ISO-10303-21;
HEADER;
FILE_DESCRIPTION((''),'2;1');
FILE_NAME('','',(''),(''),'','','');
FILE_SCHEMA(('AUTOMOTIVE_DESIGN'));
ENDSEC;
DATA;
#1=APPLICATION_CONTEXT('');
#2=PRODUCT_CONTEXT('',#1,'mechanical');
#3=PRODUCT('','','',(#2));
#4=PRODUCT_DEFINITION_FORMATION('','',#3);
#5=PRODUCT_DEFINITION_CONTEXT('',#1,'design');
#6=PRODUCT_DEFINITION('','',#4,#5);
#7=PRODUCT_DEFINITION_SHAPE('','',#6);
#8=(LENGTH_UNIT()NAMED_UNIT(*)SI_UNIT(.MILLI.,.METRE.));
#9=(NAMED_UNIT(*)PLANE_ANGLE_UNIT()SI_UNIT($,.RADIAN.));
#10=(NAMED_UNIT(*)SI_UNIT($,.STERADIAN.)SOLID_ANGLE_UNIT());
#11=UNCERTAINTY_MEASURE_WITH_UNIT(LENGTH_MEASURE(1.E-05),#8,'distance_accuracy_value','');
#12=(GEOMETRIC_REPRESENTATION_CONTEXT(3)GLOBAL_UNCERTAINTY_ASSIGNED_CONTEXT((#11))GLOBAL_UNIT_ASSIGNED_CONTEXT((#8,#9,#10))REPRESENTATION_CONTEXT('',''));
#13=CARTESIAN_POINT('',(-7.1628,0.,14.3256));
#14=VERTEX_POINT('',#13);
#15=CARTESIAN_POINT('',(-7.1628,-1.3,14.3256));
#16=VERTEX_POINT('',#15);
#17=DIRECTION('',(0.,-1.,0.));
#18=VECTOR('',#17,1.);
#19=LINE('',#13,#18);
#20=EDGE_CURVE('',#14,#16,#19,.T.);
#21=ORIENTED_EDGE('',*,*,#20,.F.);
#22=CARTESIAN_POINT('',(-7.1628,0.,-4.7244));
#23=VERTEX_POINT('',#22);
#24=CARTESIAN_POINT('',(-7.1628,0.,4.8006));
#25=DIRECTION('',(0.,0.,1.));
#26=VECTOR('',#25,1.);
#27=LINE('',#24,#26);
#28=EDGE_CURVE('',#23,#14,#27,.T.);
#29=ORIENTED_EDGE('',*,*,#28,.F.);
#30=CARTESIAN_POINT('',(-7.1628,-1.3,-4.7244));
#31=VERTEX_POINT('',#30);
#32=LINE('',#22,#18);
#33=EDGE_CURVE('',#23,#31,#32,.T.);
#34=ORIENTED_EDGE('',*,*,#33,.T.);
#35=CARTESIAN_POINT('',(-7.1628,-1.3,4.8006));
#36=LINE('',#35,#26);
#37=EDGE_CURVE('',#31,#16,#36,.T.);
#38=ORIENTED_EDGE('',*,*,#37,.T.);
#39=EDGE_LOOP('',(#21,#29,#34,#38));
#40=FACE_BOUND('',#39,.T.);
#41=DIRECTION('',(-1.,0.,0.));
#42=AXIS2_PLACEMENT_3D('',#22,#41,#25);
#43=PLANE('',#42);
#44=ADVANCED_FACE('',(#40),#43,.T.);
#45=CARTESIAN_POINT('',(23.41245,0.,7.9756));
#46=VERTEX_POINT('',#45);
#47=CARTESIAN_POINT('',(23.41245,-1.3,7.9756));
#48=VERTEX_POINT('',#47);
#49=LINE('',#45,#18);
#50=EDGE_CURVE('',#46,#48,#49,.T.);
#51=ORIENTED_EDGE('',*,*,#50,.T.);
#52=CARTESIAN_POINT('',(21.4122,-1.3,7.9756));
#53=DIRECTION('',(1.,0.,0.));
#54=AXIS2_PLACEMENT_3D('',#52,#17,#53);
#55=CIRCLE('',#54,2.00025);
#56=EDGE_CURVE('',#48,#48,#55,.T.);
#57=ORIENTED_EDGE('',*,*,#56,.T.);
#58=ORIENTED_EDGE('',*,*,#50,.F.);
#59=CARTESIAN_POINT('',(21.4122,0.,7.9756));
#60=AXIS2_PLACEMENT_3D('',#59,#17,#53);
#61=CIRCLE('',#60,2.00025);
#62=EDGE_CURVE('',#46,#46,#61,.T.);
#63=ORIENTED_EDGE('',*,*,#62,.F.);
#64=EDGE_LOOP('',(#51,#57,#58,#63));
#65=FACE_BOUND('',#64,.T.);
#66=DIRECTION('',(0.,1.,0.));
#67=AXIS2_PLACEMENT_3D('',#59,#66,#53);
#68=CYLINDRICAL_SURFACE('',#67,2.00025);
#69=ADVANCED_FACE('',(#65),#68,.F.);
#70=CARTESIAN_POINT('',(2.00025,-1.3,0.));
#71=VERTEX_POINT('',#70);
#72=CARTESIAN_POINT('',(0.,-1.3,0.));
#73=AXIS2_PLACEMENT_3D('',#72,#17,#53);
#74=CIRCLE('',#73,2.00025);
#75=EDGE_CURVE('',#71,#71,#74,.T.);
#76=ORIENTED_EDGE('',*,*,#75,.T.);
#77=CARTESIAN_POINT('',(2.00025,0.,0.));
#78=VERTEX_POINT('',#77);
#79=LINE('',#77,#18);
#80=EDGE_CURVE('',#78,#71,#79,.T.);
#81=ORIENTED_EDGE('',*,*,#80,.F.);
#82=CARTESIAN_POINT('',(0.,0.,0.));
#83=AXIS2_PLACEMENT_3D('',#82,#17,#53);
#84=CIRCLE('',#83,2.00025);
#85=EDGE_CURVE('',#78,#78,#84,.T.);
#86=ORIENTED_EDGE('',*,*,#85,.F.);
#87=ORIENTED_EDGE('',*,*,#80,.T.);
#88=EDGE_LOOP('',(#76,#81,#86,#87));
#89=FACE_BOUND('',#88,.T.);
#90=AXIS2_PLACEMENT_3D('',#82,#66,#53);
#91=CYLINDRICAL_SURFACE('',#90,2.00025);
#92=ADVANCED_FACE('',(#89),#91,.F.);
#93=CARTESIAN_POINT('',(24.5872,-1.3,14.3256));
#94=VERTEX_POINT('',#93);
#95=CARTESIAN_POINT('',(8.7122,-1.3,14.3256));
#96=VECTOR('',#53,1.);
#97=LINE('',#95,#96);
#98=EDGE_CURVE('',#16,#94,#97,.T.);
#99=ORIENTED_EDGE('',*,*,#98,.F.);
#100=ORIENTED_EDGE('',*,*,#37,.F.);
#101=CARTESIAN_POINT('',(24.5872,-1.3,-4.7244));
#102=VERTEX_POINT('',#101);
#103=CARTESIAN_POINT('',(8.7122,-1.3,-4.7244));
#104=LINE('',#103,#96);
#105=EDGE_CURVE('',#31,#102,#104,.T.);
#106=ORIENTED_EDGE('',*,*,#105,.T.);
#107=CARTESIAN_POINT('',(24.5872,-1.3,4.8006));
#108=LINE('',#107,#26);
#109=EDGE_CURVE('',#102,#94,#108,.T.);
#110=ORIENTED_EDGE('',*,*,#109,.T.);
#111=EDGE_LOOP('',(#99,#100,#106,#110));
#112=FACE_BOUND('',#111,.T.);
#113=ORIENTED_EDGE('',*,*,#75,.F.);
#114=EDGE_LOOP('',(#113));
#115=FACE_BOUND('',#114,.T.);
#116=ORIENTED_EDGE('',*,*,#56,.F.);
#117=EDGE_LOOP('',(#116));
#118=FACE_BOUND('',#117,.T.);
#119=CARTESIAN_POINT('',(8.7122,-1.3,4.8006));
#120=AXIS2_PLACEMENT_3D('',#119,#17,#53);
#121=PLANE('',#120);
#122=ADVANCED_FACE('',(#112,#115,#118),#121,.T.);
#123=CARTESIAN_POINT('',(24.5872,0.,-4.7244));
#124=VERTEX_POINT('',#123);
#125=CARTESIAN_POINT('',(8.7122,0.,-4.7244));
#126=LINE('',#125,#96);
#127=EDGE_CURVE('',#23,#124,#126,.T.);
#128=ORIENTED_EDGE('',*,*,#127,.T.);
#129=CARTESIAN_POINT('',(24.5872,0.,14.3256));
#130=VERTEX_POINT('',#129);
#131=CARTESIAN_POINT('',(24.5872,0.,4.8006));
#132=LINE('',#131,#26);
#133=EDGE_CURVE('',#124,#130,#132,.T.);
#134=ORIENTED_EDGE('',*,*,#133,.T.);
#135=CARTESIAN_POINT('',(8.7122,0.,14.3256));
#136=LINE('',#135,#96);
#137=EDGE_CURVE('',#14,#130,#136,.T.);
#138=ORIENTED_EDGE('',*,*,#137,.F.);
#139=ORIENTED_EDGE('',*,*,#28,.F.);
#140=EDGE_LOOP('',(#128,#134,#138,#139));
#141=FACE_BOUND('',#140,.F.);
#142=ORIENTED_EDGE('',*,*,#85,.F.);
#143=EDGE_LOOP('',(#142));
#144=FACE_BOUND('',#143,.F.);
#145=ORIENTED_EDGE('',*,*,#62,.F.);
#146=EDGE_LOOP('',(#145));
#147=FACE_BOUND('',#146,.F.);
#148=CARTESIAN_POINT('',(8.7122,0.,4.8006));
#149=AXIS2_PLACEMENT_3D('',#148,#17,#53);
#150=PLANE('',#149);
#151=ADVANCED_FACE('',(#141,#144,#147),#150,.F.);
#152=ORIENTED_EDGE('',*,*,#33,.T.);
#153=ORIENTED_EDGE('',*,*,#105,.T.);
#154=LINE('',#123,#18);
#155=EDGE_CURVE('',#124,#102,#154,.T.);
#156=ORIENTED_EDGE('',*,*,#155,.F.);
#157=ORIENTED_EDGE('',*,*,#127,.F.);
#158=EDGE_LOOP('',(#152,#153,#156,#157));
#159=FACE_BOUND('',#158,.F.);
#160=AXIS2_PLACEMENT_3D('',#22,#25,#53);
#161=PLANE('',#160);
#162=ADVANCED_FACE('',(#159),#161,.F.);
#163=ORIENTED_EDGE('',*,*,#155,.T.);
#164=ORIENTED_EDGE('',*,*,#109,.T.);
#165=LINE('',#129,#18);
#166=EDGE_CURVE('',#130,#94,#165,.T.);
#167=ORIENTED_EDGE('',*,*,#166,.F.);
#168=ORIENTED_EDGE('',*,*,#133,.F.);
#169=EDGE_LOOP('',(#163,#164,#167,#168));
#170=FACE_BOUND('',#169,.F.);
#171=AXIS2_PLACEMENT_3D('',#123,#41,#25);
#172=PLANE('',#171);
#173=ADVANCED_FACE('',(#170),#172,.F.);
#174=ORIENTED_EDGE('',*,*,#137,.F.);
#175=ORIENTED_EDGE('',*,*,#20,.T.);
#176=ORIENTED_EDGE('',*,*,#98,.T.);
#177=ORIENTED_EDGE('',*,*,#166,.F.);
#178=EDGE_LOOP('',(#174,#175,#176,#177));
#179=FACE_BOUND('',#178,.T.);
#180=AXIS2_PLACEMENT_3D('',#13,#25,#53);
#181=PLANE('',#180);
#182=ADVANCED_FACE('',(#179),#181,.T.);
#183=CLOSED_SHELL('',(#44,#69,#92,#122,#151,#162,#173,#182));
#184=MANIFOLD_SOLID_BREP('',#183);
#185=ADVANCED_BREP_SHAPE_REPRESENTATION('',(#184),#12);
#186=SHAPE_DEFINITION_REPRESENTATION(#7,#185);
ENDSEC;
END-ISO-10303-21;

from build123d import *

# Parameters (mm, degrees)
F0_W     = 31.75
F0_H     = 19.05
F0_R     = 2.00025
F1_DEPTH = 1.3


with BuildPart() as f1:
    # F0 (on Front) → F1 (new body)
    with BuildSketch(Plane.XZ):
        with Locations((8.7122, 4.8006)):
            Rectangle(F0_W, F0_H)
        Circle(F0_R, mode=Mode.SUBTRACT)
        with Locations((21.4122, 7.9756)):
            Circle(F0_R, mode=Mode.SUBTRACT)
    extrude(amount=F1_DEPTH)


solid = f1.part
